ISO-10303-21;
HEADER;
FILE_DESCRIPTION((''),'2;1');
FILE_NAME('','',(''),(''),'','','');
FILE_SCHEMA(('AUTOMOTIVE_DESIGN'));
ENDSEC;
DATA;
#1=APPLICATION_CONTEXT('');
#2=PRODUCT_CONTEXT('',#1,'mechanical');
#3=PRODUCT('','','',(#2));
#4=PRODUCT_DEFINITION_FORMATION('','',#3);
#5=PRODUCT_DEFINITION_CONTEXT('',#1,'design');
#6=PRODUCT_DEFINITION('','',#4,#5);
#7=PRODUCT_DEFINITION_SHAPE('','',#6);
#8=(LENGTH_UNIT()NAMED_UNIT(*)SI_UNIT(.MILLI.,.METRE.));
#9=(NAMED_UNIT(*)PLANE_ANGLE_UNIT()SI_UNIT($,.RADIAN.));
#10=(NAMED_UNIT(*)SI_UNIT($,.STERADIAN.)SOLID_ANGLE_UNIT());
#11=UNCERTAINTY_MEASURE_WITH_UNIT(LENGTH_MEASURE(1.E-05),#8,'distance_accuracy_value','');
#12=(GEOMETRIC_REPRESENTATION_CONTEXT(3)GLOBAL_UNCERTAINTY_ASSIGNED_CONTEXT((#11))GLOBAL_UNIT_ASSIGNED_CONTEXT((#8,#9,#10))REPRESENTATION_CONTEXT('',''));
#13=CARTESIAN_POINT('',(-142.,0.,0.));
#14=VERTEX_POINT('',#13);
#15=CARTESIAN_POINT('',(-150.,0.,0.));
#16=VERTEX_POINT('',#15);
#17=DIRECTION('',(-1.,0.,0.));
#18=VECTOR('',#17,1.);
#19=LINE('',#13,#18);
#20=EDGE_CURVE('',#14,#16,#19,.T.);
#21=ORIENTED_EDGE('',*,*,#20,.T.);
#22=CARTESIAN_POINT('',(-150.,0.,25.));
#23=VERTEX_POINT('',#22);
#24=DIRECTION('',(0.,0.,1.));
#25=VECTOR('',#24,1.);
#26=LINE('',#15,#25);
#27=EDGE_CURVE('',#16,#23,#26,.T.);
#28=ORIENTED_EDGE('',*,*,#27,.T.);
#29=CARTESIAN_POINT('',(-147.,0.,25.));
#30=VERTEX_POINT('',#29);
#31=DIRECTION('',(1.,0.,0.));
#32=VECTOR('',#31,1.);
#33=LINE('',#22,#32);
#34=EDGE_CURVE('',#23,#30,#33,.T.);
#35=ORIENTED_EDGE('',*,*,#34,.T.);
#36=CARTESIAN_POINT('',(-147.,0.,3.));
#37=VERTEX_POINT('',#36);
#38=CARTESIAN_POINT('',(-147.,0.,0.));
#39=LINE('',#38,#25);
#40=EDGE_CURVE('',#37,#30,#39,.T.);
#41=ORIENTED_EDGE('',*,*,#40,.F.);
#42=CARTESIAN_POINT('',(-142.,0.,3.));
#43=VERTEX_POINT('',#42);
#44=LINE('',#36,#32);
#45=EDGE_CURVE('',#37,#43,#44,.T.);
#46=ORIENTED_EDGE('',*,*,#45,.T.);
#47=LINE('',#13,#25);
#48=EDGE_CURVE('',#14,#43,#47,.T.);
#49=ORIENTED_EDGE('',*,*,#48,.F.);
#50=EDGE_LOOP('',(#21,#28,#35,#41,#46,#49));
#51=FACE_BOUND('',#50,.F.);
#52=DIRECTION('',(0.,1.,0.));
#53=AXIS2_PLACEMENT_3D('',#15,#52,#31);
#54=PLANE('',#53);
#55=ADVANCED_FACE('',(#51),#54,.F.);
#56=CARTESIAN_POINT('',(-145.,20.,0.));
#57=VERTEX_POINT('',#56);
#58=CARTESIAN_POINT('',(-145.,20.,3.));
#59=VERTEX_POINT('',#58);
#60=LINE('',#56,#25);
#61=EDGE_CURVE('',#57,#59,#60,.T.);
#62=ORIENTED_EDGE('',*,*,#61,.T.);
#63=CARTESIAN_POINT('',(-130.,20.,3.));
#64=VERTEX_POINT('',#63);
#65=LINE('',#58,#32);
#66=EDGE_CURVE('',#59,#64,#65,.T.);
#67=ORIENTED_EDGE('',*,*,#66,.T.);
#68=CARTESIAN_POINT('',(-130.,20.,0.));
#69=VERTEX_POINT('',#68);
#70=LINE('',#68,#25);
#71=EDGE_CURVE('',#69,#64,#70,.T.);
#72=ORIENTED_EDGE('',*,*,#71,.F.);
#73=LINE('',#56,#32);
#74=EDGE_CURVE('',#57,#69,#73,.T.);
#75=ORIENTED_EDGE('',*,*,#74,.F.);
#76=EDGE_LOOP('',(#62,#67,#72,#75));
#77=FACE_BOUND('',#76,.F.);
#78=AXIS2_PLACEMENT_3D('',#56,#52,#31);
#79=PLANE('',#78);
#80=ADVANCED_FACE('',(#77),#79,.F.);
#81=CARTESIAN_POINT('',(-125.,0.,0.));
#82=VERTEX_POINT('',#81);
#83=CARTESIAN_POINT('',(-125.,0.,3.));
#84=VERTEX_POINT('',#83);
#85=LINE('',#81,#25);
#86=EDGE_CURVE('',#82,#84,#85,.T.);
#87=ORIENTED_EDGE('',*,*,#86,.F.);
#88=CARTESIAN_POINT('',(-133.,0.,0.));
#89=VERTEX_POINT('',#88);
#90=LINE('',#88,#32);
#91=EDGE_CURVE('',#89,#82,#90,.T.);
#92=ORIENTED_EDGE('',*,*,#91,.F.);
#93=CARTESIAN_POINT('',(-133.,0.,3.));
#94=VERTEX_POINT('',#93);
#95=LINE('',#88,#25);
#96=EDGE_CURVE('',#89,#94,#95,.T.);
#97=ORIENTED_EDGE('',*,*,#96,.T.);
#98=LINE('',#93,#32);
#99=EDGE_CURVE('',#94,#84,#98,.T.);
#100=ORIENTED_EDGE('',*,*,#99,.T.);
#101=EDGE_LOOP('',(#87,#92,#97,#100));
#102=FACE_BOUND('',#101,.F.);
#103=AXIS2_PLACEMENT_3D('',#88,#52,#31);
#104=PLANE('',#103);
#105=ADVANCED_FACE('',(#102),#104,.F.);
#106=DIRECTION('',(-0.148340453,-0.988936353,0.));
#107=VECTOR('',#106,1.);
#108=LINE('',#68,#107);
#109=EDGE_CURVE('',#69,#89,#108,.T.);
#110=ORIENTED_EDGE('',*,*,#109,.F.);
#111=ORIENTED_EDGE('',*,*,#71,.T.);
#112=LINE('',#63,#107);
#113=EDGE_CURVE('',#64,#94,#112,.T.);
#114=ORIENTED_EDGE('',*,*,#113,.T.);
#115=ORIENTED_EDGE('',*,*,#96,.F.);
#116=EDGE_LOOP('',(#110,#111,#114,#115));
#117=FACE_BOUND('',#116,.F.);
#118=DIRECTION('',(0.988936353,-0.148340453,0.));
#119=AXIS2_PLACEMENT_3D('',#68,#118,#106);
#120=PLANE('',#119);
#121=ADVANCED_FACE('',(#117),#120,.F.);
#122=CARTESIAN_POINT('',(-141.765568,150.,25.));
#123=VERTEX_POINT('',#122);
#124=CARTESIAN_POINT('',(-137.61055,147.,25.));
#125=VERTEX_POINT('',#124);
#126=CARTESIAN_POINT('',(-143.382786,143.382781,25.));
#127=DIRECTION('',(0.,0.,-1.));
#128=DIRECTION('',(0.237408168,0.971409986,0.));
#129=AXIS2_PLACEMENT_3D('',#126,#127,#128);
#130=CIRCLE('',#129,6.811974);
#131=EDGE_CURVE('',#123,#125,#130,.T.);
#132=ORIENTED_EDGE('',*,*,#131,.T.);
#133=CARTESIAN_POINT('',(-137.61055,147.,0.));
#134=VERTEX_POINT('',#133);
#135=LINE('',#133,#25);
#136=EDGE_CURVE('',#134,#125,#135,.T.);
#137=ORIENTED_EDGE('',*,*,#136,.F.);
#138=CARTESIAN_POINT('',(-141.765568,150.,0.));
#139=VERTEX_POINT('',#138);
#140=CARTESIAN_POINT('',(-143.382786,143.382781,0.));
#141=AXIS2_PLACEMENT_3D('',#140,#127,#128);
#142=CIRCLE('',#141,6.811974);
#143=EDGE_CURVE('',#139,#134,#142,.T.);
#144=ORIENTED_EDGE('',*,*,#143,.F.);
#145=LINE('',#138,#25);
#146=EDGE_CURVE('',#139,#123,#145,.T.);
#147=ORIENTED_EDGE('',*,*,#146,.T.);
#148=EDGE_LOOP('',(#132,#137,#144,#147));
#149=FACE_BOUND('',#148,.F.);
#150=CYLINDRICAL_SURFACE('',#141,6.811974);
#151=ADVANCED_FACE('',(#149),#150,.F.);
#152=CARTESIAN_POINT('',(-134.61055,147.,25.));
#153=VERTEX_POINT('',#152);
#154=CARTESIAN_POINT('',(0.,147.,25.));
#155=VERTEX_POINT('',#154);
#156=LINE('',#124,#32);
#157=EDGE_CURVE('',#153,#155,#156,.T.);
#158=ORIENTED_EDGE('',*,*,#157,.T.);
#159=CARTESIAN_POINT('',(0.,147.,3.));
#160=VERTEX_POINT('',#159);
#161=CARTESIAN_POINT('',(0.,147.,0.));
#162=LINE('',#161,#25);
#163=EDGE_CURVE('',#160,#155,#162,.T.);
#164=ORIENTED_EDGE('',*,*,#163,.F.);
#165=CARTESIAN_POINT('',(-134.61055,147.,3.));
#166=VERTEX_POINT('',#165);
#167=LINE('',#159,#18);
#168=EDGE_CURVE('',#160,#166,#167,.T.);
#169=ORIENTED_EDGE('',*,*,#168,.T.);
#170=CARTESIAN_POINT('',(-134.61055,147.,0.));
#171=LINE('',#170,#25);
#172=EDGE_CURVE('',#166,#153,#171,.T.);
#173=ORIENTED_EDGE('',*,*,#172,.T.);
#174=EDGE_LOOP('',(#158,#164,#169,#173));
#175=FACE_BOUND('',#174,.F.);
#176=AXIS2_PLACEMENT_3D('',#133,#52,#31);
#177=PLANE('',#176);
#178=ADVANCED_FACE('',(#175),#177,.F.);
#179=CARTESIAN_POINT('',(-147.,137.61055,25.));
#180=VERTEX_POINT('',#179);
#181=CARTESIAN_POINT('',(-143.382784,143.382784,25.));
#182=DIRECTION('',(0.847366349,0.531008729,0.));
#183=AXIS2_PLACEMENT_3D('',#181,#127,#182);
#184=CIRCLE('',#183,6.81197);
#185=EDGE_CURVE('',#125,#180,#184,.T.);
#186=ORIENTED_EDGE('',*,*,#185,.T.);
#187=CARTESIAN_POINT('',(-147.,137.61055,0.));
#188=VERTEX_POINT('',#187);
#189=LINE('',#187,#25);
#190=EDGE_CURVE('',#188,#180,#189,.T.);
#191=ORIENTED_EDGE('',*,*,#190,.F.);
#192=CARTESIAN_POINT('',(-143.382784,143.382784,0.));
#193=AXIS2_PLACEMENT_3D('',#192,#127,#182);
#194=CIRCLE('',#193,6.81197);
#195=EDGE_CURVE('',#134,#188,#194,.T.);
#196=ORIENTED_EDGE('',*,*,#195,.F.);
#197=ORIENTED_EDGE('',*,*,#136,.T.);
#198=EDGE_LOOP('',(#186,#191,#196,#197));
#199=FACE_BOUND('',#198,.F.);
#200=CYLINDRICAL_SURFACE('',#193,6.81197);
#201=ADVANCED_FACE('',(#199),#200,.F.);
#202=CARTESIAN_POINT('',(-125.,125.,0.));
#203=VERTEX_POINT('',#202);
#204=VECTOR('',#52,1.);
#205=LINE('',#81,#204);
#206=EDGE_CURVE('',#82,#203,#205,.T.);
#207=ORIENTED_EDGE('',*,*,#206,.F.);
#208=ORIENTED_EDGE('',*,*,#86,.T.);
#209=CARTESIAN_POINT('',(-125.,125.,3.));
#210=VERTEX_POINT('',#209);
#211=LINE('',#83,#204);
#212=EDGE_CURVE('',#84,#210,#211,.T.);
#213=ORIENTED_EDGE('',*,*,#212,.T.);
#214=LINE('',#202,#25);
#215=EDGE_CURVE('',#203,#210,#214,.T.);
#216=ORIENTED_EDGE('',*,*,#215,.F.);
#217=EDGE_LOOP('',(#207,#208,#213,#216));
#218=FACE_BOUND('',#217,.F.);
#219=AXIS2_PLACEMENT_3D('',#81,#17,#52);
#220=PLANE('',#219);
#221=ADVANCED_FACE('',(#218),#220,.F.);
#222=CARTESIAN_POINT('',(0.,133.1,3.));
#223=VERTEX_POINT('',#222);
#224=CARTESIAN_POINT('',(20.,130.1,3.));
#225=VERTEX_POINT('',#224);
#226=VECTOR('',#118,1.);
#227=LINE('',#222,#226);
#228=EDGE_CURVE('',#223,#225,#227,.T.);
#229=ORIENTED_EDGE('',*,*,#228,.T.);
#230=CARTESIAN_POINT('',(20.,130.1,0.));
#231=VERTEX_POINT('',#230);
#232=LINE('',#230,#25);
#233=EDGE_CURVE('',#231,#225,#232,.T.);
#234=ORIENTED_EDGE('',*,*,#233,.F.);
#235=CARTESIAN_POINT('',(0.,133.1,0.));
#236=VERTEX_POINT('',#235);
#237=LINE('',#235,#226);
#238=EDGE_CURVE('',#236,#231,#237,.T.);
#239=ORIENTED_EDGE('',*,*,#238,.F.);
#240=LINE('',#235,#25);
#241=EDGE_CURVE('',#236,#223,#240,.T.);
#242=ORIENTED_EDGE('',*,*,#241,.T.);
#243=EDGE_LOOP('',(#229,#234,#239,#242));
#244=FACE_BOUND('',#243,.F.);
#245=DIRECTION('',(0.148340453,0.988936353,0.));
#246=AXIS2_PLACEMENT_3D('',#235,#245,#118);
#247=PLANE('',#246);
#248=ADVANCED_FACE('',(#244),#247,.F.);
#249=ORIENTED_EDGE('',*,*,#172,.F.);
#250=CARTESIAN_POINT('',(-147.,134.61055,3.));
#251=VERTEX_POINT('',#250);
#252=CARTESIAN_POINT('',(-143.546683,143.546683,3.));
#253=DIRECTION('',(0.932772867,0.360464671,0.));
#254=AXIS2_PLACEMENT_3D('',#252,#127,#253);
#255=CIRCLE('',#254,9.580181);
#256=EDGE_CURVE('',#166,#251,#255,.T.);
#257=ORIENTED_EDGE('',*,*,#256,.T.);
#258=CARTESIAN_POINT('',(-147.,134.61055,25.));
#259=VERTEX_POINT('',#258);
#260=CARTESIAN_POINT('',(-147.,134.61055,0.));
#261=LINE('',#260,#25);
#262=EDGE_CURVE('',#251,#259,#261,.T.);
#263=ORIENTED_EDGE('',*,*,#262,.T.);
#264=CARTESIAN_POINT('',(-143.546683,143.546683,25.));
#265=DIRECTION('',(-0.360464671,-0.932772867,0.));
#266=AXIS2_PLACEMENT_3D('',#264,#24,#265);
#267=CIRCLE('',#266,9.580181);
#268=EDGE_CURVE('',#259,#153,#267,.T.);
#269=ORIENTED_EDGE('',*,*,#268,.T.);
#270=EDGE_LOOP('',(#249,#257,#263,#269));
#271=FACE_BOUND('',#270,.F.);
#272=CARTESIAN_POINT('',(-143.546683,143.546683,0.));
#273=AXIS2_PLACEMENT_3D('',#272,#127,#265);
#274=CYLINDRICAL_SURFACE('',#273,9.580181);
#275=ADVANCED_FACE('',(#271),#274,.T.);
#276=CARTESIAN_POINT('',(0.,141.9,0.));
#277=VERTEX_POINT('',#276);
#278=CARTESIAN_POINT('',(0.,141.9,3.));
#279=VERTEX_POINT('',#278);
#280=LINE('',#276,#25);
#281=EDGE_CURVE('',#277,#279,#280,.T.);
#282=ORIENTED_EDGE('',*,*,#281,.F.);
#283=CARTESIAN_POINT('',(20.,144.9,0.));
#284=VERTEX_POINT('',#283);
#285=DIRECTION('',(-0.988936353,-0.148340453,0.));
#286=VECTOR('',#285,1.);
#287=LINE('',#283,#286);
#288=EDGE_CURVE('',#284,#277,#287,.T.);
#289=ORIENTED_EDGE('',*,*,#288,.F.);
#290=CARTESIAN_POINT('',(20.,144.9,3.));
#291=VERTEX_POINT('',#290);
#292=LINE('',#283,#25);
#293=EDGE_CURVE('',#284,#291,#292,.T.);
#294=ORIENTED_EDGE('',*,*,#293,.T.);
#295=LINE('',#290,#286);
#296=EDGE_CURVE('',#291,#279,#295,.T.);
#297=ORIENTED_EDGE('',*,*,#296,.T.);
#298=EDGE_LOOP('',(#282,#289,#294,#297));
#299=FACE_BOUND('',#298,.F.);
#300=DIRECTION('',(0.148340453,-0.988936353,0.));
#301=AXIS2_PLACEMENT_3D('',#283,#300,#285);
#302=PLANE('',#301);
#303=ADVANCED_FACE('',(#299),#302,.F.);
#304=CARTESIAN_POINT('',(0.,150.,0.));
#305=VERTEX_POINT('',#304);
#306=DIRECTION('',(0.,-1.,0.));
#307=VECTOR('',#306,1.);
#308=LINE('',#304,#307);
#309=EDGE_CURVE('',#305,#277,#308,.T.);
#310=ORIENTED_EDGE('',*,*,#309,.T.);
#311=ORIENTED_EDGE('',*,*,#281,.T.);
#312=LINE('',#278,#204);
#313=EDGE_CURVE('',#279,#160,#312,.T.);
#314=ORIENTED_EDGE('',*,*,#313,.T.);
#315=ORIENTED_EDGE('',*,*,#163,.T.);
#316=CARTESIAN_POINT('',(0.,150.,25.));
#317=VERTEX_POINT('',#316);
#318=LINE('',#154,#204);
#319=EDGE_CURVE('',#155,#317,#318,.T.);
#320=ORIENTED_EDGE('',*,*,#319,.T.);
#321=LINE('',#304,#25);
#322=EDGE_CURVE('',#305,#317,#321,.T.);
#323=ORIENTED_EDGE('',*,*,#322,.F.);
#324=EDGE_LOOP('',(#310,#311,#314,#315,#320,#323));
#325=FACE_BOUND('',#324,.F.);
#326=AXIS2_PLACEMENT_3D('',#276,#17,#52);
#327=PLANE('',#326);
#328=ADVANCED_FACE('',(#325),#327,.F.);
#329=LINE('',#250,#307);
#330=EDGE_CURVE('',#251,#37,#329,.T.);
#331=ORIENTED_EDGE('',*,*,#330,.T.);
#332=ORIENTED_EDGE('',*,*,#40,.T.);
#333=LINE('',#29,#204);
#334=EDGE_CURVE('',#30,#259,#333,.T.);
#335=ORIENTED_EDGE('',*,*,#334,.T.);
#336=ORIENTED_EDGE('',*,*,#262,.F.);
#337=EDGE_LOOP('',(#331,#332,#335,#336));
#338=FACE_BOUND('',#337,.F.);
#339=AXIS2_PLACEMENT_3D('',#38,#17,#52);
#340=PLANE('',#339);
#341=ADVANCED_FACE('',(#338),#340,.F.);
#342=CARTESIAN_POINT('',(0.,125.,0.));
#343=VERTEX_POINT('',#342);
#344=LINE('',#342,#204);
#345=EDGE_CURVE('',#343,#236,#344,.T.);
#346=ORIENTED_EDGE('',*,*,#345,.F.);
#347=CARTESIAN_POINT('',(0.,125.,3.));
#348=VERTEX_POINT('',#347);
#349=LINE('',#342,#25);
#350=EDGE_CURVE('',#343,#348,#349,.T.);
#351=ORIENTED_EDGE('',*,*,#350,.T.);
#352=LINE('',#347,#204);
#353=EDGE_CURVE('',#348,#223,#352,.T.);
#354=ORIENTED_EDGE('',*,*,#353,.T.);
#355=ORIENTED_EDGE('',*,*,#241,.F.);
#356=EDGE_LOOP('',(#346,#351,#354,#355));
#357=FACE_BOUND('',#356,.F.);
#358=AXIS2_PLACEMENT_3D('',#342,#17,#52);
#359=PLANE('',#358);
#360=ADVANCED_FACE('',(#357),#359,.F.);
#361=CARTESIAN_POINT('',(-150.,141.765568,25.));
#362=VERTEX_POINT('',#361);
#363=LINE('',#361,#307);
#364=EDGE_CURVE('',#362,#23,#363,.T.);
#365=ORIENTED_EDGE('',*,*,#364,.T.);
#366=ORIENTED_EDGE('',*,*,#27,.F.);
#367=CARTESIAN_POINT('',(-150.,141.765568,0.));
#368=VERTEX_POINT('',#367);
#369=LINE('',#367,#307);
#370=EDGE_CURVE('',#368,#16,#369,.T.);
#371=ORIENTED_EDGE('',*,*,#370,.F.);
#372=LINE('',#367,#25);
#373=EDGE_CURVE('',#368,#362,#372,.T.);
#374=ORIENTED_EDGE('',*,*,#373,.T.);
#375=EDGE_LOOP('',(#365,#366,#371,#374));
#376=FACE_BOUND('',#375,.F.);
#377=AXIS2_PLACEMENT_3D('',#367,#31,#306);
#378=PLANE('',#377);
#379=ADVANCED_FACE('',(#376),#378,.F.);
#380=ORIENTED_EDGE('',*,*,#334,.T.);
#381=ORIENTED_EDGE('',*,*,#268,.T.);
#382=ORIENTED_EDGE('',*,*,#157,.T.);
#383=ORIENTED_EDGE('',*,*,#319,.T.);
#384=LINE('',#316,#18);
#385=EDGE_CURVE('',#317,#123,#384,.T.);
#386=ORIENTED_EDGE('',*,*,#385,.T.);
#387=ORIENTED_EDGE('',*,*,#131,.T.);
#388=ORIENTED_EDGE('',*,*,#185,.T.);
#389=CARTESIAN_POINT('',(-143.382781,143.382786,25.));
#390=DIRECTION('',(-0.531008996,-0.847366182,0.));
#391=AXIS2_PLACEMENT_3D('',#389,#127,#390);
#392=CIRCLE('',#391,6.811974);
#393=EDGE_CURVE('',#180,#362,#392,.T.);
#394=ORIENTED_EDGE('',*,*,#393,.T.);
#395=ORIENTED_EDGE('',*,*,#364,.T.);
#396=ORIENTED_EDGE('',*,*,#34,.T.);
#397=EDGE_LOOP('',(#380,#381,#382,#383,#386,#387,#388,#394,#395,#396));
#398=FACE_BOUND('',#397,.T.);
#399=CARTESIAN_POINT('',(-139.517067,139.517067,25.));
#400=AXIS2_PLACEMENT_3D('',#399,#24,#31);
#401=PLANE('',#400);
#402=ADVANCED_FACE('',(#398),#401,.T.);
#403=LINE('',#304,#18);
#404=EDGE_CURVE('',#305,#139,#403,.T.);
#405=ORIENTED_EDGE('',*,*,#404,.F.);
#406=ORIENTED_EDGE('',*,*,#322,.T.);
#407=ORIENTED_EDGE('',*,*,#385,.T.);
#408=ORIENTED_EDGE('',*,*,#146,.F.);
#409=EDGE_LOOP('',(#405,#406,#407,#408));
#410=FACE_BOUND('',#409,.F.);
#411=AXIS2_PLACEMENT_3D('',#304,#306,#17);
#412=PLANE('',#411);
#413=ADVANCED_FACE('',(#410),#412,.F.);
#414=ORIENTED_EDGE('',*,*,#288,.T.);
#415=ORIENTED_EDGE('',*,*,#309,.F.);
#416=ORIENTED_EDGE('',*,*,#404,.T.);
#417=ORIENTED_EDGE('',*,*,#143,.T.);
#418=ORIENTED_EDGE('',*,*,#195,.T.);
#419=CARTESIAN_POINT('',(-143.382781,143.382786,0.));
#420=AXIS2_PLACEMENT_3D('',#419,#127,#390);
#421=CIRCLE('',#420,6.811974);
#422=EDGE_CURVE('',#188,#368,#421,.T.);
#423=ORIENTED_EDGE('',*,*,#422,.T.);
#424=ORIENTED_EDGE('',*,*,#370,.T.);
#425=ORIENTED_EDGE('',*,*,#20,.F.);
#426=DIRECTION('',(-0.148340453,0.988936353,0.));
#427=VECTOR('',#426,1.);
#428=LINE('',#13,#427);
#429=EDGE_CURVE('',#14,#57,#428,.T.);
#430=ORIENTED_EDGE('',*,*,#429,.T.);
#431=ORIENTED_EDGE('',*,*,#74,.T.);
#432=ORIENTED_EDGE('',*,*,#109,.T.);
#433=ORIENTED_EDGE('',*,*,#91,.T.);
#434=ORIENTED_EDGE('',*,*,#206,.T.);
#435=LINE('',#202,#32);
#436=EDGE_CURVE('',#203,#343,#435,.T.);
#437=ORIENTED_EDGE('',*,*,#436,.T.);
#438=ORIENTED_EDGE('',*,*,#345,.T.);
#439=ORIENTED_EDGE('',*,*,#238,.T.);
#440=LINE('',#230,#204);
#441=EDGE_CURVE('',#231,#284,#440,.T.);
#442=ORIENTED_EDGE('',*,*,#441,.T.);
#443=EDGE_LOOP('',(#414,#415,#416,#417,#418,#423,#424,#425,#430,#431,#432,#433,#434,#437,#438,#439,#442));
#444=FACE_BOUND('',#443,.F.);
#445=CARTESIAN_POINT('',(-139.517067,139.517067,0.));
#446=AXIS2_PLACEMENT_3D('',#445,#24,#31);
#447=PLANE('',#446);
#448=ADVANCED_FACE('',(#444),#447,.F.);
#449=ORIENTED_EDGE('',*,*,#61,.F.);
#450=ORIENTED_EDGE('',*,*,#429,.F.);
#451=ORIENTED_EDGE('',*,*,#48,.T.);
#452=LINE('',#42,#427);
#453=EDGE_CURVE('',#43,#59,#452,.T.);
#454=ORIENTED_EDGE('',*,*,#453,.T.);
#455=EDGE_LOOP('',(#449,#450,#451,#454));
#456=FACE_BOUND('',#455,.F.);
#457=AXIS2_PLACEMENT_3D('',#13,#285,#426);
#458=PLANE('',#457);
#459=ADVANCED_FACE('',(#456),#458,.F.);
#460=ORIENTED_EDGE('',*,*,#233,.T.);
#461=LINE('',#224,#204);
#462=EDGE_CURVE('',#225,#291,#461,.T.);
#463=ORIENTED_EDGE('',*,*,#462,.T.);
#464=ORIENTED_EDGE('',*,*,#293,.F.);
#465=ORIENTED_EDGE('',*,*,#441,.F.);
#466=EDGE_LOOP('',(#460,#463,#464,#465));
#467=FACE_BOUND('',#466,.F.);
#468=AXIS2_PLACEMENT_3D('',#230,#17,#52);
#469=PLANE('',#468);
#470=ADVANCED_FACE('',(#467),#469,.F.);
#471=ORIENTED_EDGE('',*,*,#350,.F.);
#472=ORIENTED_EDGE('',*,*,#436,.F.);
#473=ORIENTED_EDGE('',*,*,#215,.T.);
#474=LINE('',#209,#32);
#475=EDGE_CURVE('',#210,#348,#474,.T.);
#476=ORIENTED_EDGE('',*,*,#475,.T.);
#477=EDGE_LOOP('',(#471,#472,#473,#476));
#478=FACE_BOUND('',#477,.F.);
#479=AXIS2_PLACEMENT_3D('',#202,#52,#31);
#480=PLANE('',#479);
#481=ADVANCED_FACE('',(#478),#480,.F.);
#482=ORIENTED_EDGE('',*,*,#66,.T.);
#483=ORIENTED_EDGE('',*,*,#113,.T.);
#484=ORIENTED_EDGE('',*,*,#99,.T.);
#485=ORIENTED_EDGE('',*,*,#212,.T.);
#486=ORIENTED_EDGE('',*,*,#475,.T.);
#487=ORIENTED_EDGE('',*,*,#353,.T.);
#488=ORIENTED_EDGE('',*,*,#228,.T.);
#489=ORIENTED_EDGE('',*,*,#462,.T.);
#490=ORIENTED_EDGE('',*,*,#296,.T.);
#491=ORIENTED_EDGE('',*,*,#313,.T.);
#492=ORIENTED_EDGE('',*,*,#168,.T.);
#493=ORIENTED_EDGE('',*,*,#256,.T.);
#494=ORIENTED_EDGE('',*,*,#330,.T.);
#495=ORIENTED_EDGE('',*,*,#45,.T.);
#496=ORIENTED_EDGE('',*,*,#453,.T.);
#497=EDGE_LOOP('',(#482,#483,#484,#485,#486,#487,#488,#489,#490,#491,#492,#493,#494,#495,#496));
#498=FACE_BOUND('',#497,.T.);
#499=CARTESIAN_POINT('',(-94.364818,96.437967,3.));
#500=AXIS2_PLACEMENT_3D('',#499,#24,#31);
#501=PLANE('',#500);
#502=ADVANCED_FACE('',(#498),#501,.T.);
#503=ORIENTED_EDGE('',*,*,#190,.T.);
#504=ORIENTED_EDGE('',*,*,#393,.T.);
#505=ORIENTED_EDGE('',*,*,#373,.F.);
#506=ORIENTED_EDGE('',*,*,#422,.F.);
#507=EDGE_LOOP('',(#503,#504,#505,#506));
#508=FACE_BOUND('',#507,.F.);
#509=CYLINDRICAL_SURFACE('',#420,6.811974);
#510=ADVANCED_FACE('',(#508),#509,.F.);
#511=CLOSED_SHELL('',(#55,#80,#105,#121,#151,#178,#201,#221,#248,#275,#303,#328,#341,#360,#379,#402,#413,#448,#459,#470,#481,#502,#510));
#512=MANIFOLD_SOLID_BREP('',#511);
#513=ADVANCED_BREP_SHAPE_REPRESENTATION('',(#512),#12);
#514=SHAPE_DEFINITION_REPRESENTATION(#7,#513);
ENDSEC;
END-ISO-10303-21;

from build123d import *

# Parameters (mm, degrees)
F1_DEPTH = 3
F2_DEPTH = 25
F3_DEPTH = 25


with BuildPart() as f1:
    # F0 (on Top) → F1 (new body)
    with BuildSketch(Plane.XY):
        with BuildLine():
            Line((0, 141.9), (0, 147))
            Line((0, 147), (-134.61055, 147))
            ThreePointArc((-134.61055, 147), (-136.772472, 136.772472), (-147, 134.61055))
            Line((-147, 134.61055), (-147, 0))
            Line((-147, 0), (-142, 0))
            Line((-142, 0), (-145, 20))
            Line((-145, 20), (-130, 20))
            Line((-130, 20), (-133, 0))
            Line((-133, 0), (-125, 0))
            Line((-125, 0), (-125, 125))
            Line((-125, 125), (0, 125))
            Line((0, 125), (0, 133.1))
            Line((0, 133.1), (20, 130.1))
            Line((20, 130.1), (20, 144.9))
            Line((20, 144.9), (0, 141.9))
        make_face()
    extrude(amount=F1_DEPTH)

    # F0 (on Top) → F2 (join)
    with BuildSketch(Plane.XY):
        with BuildLine():
            ThreePointArc((-147, 137.61055), (-148.90564, 139.395179), (-150, 141.765568))
            Line((-150, 141.765568), (-150, 0))
            Line((-150, 0), (-147, 0))
            Line((-147, 0), (-147, 134.61055))
            Line((-147, 134.61055), (-147, 137.61055))
        make_face()
        with BuildLine():
            Line((0, 150), (-141.765568, 150))
            ThreePointArc((-141.765568, 150), (-139.395179, 148.90564), (-137.61055, 147))
            Line((-137.61055, 147), (-134.61055, 147))
            Line((-134.61055, 147), (0, 147))
            Line((0, 147), (0, 150))
        make_face()
    extrude(amount=F2_DEPTH)

    # F0 (on Top) → F3 (join)
    with BuildSketch(Plane.XY):
        with BuildLine():
            Line((-134.61055, 147), (-137.61055, 147))
            ThreePointArc((-137.61055, 147), (-138.565994, 138.565994), (-147, 137.61055))
            Line((-147, 137.61055), (-147, 134.61055))
            ThreePointArc((-147, 134.61055), (-136.772472, 136.772472), (-134.61055, 147))
        make_face()
    extrude(amount=F3_DEPTH)


solid = f1.part
